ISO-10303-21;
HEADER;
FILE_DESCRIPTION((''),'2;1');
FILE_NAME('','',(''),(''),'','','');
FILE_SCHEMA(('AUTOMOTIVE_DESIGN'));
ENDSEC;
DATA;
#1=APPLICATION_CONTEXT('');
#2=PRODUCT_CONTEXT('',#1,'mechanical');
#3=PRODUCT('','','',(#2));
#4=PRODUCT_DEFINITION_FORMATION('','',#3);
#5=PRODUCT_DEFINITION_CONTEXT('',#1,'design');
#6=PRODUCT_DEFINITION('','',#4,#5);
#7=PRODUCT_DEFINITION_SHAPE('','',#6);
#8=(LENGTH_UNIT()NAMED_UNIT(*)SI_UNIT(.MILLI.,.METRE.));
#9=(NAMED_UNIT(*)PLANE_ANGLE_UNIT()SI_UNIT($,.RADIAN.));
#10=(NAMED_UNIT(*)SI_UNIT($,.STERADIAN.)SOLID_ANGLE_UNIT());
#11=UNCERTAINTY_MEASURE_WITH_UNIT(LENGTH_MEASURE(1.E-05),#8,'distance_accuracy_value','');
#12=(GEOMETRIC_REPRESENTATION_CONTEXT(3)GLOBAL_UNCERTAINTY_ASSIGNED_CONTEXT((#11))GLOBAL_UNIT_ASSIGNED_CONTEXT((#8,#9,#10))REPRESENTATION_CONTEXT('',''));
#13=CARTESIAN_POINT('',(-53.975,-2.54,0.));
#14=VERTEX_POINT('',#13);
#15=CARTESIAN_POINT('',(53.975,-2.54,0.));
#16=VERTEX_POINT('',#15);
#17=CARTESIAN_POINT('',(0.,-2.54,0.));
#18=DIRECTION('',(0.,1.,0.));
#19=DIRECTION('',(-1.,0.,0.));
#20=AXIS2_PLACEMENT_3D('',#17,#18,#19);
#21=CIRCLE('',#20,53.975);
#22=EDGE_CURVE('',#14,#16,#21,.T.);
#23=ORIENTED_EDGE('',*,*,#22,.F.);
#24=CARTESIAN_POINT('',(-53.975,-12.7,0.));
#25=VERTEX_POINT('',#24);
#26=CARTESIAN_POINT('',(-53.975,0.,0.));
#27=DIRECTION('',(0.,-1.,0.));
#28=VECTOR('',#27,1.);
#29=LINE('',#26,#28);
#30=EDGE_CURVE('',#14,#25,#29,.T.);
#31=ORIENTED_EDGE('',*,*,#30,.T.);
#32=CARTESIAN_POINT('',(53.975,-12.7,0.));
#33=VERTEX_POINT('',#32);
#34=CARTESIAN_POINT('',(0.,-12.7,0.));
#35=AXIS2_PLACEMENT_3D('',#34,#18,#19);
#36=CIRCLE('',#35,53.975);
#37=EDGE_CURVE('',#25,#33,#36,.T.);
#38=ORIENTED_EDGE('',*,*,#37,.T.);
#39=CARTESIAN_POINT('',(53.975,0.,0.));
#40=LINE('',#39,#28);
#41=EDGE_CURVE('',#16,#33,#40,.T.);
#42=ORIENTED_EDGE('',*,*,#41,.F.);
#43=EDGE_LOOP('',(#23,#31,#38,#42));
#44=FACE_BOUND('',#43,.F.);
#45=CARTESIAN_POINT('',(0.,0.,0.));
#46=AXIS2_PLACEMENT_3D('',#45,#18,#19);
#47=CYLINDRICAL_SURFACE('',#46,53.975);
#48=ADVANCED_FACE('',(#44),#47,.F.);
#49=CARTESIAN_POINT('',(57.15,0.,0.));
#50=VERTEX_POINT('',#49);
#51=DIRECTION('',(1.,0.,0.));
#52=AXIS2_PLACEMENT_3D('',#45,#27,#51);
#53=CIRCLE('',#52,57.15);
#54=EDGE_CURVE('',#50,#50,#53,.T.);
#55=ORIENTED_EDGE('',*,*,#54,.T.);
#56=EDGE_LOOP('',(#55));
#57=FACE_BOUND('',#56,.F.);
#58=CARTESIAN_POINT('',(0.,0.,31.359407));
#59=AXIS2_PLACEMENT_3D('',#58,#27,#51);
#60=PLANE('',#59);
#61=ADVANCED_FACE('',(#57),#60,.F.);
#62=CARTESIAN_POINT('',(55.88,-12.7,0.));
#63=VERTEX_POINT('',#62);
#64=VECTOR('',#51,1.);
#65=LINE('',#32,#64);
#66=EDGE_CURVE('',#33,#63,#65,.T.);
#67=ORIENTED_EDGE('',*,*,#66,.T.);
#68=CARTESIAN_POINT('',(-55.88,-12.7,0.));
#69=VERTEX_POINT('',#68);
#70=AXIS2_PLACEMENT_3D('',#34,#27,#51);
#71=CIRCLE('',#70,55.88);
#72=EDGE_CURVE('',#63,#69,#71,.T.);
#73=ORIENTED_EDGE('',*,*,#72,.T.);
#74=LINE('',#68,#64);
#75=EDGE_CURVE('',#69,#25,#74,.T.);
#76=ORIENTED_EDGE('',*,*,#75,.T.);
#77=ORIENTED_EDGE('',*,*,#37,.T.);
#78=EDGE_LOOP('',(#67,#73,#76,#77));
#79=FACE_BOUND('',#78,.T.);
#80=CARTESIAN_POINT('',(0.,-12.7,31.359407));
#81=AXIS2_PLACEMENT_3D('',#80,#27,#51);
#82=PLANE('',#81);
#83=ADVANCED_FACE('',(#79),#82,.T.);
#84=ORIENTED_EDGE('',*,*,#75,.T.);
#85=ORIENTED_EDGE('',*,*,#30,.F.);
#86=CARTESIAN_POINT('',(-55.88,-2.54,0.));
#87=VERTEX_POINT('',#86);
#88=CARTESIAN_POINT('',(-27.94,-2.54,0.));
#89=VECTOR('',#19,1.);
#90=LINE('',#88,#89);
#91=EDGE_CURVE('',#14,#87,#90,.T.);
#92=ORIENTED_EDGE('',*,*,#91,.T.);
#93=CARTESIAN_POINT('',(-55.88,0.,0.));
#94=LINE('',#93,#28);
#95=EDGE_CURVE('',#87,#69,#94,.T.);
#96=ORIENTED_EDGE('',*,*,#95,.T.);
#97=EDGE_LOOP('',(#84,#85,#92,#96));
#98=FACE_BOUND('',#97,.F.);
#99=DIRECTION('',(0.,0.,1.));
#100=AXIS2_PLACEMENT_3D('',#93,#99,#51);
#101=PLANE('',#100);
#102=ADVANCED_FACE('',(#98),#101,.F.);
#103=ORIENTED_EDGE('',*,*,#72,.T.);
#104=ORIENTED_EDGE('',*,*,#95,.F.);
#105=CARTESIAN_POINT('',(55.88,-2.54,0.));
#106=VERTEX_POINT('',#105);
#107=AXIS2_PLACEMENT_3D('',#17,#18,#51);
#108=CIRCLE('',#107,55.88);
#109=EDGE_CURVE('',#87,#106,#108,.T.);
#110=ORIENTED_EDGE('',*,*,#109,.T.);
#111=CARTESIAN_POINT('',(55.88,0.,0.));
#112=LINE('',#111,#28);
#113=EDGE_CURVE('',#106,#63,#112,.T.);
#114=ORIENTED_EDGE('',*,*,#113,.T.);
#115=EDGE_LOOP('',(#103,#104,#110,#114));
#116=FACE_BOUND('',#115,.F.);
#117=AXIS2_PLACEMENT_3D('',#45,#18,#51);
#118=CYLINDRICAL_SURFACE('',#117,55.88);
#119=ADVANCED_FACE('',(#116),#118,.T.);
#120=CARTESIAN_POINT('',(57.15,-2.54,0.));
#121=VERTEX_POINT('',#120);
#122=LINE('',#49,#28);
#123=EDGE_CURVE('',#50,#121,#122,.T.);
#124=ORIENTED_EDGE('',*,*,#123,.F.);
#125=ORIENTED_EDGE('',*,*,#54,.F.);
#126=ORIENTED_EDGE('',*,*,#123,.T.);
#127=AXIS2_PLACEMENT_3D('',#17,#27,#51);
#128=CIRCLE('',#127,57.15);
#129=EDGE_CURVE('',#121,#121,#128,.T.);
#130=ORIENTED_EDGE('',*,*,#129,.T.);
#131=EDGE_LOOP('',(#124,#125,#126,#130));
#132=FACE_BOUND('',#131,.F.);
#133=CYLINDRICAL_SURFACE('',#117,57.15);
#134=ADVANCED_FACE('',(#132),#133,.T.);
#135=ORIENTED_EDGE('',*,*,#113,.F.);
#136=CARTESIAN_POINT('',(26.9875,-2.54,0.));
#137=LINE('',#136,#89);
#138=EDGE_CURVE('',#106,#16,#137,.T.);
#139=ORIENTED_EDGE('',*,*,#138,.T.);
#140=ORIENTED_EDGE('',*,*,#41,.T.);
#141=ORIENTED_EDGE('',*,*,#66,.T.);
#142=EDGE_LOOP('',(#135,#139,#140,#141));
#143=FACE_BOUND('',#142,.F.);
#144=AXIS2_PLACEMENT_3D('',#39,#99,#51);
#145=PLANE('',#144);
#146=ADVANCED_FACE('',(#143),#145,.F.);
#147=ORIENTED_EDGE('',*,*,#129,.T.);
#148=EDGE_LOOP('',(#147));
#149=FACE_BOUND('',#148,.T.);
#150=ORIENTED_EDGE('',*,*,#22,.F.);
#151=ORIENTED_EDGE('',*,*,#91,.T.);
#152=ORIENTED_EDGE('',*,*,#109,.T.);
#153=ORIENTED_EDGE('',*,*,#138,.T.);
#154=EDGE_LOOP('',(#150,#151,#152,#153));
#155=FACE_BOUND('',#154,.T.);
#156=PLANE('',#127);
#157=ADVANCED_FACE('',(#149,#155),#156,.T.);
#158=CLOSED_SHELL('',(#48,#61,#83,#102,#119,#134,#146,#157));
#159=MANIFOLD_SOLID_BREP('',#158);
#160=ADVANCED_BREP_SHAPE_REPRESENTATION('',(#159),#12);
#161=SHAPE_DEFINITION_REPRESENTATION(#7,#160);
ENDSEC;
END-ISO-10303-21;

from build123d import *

# Parameters (mm, degrees)
F0_R     = 57.15
F1_DEPTH = 2.54
F3_DEPTH = 12.7


with BuildPart() as f1:
    # F0 (on Front) → F1 (new body)
    with BuildSketch(Plane.XZ):
        Circle(F0_R)
    extrude(amount=F1_DEPTH)

    # F2 (on Front) → F3 (join)
    with BuildSketch(Plane.XZ):
        with BuildLine():
            ThreePointArc((-53.975, 0), (0, 53.975), (53.975, 0))
            Line((53.975, 0), (55.88, 0))
            ThreePointArc((55.88, 0), (0, 55.88), (-55.88, 0))
            Line((-55.88, 0), (-53.975, 0))
        make_face()
    extrude(amount=F3_DEPTH)


solid = f1.part
